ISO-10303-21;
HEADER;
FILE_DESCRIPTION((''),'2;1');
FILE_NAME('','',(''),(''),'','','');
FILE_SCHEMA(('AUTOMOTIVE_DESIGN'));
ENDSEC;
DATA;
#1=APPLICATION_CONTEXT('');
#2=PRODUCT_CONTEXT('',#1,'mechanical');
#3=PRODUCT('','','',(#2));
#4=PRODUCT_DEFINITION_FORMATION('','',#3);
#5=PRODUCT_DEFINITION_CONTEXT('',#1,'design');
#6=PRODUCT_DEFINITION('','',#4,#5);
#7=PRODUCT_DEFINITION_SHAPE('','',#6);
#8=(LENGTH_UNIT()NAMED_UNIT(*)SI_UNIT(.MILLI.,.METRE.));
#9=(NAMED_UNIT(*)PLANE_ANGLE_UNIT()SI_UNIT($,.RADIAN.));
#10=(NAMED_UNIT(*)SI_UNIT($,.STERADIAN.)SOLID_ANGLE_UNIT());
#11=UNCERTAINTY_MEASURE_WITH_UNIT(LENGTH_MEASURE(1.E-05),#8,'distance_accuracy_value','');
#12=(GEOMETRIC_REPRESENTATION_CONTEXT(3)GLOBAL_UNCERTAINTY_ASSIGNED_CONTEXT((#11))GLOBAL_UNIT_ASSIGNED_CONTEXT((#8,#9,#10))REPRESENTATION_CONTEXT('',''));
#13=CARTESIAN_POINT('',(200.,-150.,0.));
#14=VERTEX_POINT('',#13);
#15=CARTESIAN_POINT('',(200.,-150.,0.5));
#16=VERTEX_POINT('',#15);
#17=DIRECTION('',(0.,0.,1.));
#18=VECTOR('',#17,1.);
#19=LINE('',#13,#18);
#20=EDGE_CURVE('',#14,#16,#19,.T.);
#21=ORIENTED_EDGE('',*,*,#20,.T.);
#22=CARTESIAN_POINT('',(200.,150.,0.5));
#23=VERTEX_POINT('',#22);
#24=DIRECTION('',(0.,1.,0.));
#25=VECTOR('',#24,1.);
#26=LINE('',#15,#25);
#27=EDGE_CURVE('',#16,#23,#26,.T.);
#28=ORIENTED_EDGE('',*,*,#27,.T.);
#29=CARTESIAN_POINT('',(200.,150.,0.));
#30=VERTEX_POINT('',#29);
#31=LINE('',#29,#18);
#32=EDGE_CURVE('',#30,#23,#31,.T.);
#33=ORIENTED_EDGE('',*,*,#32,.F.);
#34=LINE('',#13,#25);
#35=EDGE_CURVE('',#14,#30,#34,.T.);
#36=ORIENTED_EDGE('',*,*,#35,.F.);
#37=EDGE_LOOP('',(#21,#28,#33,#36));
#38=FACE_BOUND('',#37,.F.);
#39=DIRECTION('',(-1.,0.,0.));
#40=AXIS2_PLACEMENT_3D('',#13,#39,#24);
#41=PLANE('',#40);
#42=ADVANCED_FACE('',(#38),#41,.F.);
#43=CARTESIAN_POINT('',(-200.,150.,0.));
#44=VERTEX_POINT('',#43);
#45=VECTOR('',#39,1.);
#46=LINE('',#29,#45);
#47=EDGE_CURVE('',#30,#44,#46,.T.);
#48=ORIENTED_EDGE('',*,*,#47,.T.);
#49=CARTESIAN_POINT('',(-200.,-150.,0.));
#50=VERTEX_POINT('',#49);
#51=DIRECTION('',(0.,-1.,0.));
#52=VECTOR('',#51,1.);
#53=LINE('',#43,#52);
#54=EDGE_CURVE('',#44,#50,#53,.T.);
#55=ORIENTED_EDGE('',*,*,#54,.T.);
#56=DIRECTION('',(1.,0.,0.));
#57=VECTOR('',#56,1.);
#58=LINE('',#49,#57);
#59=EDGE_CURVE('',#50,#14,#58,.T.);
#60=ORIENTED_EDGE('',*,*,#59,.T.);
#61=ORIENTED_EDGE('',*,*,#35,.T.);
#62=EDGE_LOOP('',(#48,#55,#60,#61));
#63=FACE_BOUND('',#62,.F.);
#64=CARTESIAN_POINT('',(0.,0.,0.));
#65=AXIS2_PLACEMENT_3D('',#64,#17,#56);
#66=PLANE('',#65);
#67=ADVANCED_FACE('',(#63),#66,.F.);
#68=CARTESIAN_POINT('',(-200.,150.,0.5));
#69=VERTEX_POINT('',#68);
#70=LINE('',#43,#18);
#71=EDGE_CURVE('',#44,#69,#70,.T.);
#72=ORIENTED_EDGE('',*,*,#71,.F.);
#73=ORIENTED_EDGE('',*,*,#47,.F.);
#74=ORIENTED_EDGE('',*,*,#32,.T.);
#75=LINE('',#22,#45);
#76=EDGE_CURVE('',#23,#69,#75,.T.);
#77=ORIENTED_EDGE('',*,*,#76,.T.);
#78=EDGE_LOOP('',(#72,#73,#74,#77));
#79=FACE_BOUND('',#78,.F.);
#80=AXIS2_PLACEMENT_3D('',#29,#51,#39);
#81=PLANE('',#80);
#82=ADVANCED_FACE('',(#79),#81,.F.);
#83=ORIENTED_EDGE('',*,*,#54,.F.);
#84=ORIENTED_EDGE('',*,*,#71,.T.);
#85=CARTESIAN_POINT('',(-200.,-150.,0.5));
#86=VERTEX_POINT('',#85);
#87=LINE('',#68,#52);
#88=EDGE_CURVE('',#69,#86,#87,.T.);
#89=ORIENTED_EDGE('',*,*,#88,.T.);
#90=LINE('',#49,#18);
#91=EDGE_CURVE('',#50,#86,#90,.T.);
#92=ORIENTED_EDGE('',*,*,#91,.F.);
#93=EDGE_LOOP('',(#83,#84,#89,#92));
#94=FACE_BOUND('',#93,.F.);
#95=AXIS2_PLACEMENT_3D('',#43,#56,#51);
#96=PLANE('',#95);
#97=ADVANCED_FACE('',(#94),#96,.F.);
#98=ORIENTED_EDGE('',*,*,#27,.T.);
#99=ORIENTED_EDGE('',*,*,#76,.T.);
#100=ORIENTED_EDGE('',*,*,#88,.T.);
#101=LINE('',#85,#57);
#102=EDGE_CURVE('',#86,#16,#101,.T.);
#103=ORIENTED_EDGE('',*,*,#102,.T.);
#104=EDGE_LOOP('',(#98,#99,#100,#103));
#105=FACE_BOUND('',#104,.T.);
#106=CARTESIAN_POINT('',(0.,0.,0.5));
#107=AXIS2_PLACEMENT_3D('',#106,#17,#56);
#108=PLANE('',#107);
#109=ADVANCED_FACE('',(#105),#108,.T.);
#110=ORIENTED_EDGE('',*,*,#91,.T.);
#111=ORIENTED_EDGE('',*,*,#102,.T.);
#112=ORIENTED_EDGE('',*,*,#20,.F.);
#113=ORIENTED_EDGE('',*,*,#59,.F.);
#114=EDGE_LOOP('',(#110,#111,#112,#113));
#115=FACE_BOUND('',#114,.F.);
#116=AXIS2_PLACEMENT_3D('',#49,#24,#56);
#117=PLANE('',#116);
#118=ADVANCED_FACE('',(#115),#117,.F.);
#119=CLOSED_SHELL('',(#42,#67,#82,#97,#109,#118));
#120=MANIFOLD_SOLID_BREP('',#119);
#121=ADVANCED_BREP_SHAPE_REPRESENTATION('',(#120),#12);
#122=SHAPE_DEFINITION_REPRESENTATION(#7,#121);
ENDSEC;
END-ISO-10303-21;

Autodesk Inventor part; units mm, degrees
ref_plane "YZ Plane" through (0, 0, 0) normal (1, 0, 0) x (0, 1, 0)
ref_plane "XZ Plane" through (0, 0, 0) normal (0, 1, 0) x (-1, 0, 0)
ref_plane "XY Plane" through (0, 0, 0) normal (0, 0, 1) x (1, 0, 0)
sketch "Sketch1" plane through (0, 0, 0) normal (0, 0, 1) x (1, 0, 0)
  line L0 (-200, -150) -> (200, -150)
  line L1 (200, -150) -> (200, 150)
  line L2 (200, 150) -> (-200, 150)
  line L3 (-200, 150) -> (-200, -150)
  line L4 (-200, -150) -> (200, 150) construction
  line L5 (200, -150) -> (-200, 150) construction
  point P0 (0, 0)
  dimension "d0" = 400
  dimension "d1" = 300
extrude "Plate1" add sketch "Sketch1" along normal blind 0.5
equation "\"BendRadius\" = Thickness"
equation "\"BendReliefWidth\" = Thickness"
equation "\"BendReliefDepth\" = 0.5 * Thickness"
equation "\"CornerReliefSize\" = 4 * Thickness"
equation "\"MinimumRemnant\" = 2 * Thickness"
equation "\"TransitionRadius\" = BendRadius"
equation "\"JacobiRadiusSize\" = BendRadius"
equation "\"GapSize\" = Thickness"
equation "\"d2\" = BendRadius"
equation "\"Thickness\" = 0.5"
properties part number "topBottomPanel"
